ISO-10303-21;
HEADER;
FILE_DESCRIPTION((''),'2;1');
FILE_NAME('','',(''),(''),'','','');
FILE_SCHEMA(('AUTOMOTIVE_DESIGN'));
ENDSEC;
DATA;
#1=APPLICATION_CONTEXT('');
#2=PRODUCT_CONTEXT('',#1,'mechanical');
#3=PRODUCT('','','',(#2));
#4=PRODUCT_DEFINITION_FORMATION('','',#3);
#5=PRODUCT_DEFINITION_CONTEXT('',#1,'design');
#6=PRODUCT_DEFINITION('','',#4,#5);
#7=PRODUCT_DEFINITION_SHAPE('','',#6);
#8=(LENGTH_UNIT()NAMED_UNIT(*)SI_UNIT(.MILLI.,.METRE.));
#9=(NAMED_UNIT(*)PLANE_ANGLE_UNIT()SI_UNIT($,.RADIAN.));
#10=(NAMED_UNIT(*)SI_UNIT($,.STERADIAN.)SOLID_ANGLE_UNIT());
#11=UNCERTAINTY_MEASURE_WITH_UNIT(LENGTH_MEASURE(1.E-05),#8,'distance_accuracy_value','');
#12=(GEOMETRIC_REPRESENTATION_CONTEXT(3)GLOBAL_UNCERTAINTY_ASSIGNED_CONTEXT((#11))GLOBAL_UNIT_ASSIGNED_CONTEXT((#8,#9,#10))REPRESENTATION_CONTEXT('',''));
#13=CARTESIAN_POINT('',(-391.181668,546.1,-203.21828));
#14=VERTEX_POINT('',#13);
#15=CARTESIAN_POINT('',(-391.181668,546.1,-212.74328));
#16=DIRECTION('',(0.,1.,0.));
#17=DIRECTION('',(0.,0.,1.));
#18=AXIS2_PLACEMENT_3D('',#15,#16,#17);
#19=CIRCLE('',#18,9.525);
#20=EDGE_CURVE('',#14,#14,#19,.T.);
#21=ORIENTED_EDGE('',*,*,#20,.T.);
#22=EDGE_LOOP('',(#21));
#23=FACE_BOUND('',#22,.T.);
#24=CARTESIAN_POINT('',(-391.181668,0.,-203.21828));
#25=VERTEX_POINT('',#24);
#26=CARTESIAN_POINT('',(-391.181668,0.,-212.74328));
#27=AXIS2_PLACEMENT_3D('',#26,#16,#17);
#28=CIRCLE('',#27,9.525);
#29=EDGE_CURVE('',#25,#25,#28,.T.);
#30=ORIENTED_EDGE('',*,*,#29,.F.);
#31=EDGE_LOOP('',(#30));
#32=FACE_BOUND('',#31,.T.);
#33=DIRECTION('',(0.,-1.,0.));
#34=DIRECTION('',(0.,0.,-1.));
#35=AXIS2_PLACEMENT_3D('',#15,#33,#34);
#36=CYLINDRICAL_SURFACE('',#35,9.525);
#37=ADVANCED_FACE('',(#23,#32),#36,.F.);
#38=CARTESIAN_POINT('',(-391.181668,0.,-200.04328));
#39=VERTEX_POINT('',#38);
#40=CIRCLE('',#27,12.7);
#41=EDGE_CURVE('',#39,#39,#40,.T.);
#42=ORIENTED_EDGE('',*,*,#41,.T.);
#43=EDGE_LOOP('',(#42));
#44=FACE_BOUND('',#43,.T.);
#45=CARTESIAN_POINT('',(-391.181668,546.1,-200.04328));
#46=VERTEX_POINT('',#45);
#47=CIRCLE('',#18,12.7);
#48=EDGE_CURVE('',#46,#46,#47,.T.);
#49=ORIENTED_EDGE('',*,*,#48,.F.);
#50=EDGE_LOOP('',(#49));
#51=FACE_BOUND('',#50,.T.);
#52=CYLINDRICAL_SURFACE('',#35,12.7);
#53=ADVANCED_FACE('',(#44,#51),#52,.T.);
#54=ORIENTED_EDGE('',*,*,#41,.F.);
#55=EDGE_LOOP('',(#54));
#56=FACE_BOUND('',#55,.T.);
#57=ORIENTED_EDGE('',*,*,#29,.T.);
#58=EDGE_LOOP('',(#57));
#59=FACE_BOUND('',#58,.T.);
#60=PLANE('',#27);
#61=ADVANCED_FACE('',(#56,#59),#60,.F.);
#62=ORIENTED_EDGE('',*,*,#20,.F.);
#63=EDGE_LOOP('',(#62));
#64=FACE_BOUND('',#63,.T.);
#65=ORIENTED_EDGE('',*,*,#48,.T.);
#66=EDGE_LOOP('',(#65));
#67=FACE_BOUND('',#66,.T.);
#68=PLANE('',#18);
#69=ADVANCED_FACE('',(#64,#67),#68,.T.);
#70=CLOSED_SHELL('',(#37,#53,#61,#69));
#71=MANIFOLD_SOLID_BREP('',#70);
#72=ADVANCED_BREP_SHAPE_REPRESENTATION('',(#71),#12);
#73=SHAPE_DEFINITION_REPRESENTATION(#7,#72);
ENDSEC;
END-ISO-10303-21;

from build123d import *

# Parameters (mm, degrees)
SKETCH1_R           = 12.7
SKETCH1_R_2         = 9.525
BOSS_EXTRUDE2_DEPTH = 546.1


with BuildPart() as part:
    # Sketch1 → Boss-Extrude2 (new body)
    with BuildSketch(Plane(origin=(0, 0, 0), x_dir=(1, 0, 0), z_dir=(0, 1, 0))):
        with Locations(Location((-391.181668083, 212.743279788, 0), (0, 0, 270))):
            Circle(SKETCH1_R)
        with Locations(Location((-391.181668083, 212.743279788, 0), (0, 0, 270))):
            Circle(SKETCH1_R_2, mode=Mode.SUBTRACT)
    extrude(amount=BOSS_EXTRUDE2_DEPTH)


solid = part.part
